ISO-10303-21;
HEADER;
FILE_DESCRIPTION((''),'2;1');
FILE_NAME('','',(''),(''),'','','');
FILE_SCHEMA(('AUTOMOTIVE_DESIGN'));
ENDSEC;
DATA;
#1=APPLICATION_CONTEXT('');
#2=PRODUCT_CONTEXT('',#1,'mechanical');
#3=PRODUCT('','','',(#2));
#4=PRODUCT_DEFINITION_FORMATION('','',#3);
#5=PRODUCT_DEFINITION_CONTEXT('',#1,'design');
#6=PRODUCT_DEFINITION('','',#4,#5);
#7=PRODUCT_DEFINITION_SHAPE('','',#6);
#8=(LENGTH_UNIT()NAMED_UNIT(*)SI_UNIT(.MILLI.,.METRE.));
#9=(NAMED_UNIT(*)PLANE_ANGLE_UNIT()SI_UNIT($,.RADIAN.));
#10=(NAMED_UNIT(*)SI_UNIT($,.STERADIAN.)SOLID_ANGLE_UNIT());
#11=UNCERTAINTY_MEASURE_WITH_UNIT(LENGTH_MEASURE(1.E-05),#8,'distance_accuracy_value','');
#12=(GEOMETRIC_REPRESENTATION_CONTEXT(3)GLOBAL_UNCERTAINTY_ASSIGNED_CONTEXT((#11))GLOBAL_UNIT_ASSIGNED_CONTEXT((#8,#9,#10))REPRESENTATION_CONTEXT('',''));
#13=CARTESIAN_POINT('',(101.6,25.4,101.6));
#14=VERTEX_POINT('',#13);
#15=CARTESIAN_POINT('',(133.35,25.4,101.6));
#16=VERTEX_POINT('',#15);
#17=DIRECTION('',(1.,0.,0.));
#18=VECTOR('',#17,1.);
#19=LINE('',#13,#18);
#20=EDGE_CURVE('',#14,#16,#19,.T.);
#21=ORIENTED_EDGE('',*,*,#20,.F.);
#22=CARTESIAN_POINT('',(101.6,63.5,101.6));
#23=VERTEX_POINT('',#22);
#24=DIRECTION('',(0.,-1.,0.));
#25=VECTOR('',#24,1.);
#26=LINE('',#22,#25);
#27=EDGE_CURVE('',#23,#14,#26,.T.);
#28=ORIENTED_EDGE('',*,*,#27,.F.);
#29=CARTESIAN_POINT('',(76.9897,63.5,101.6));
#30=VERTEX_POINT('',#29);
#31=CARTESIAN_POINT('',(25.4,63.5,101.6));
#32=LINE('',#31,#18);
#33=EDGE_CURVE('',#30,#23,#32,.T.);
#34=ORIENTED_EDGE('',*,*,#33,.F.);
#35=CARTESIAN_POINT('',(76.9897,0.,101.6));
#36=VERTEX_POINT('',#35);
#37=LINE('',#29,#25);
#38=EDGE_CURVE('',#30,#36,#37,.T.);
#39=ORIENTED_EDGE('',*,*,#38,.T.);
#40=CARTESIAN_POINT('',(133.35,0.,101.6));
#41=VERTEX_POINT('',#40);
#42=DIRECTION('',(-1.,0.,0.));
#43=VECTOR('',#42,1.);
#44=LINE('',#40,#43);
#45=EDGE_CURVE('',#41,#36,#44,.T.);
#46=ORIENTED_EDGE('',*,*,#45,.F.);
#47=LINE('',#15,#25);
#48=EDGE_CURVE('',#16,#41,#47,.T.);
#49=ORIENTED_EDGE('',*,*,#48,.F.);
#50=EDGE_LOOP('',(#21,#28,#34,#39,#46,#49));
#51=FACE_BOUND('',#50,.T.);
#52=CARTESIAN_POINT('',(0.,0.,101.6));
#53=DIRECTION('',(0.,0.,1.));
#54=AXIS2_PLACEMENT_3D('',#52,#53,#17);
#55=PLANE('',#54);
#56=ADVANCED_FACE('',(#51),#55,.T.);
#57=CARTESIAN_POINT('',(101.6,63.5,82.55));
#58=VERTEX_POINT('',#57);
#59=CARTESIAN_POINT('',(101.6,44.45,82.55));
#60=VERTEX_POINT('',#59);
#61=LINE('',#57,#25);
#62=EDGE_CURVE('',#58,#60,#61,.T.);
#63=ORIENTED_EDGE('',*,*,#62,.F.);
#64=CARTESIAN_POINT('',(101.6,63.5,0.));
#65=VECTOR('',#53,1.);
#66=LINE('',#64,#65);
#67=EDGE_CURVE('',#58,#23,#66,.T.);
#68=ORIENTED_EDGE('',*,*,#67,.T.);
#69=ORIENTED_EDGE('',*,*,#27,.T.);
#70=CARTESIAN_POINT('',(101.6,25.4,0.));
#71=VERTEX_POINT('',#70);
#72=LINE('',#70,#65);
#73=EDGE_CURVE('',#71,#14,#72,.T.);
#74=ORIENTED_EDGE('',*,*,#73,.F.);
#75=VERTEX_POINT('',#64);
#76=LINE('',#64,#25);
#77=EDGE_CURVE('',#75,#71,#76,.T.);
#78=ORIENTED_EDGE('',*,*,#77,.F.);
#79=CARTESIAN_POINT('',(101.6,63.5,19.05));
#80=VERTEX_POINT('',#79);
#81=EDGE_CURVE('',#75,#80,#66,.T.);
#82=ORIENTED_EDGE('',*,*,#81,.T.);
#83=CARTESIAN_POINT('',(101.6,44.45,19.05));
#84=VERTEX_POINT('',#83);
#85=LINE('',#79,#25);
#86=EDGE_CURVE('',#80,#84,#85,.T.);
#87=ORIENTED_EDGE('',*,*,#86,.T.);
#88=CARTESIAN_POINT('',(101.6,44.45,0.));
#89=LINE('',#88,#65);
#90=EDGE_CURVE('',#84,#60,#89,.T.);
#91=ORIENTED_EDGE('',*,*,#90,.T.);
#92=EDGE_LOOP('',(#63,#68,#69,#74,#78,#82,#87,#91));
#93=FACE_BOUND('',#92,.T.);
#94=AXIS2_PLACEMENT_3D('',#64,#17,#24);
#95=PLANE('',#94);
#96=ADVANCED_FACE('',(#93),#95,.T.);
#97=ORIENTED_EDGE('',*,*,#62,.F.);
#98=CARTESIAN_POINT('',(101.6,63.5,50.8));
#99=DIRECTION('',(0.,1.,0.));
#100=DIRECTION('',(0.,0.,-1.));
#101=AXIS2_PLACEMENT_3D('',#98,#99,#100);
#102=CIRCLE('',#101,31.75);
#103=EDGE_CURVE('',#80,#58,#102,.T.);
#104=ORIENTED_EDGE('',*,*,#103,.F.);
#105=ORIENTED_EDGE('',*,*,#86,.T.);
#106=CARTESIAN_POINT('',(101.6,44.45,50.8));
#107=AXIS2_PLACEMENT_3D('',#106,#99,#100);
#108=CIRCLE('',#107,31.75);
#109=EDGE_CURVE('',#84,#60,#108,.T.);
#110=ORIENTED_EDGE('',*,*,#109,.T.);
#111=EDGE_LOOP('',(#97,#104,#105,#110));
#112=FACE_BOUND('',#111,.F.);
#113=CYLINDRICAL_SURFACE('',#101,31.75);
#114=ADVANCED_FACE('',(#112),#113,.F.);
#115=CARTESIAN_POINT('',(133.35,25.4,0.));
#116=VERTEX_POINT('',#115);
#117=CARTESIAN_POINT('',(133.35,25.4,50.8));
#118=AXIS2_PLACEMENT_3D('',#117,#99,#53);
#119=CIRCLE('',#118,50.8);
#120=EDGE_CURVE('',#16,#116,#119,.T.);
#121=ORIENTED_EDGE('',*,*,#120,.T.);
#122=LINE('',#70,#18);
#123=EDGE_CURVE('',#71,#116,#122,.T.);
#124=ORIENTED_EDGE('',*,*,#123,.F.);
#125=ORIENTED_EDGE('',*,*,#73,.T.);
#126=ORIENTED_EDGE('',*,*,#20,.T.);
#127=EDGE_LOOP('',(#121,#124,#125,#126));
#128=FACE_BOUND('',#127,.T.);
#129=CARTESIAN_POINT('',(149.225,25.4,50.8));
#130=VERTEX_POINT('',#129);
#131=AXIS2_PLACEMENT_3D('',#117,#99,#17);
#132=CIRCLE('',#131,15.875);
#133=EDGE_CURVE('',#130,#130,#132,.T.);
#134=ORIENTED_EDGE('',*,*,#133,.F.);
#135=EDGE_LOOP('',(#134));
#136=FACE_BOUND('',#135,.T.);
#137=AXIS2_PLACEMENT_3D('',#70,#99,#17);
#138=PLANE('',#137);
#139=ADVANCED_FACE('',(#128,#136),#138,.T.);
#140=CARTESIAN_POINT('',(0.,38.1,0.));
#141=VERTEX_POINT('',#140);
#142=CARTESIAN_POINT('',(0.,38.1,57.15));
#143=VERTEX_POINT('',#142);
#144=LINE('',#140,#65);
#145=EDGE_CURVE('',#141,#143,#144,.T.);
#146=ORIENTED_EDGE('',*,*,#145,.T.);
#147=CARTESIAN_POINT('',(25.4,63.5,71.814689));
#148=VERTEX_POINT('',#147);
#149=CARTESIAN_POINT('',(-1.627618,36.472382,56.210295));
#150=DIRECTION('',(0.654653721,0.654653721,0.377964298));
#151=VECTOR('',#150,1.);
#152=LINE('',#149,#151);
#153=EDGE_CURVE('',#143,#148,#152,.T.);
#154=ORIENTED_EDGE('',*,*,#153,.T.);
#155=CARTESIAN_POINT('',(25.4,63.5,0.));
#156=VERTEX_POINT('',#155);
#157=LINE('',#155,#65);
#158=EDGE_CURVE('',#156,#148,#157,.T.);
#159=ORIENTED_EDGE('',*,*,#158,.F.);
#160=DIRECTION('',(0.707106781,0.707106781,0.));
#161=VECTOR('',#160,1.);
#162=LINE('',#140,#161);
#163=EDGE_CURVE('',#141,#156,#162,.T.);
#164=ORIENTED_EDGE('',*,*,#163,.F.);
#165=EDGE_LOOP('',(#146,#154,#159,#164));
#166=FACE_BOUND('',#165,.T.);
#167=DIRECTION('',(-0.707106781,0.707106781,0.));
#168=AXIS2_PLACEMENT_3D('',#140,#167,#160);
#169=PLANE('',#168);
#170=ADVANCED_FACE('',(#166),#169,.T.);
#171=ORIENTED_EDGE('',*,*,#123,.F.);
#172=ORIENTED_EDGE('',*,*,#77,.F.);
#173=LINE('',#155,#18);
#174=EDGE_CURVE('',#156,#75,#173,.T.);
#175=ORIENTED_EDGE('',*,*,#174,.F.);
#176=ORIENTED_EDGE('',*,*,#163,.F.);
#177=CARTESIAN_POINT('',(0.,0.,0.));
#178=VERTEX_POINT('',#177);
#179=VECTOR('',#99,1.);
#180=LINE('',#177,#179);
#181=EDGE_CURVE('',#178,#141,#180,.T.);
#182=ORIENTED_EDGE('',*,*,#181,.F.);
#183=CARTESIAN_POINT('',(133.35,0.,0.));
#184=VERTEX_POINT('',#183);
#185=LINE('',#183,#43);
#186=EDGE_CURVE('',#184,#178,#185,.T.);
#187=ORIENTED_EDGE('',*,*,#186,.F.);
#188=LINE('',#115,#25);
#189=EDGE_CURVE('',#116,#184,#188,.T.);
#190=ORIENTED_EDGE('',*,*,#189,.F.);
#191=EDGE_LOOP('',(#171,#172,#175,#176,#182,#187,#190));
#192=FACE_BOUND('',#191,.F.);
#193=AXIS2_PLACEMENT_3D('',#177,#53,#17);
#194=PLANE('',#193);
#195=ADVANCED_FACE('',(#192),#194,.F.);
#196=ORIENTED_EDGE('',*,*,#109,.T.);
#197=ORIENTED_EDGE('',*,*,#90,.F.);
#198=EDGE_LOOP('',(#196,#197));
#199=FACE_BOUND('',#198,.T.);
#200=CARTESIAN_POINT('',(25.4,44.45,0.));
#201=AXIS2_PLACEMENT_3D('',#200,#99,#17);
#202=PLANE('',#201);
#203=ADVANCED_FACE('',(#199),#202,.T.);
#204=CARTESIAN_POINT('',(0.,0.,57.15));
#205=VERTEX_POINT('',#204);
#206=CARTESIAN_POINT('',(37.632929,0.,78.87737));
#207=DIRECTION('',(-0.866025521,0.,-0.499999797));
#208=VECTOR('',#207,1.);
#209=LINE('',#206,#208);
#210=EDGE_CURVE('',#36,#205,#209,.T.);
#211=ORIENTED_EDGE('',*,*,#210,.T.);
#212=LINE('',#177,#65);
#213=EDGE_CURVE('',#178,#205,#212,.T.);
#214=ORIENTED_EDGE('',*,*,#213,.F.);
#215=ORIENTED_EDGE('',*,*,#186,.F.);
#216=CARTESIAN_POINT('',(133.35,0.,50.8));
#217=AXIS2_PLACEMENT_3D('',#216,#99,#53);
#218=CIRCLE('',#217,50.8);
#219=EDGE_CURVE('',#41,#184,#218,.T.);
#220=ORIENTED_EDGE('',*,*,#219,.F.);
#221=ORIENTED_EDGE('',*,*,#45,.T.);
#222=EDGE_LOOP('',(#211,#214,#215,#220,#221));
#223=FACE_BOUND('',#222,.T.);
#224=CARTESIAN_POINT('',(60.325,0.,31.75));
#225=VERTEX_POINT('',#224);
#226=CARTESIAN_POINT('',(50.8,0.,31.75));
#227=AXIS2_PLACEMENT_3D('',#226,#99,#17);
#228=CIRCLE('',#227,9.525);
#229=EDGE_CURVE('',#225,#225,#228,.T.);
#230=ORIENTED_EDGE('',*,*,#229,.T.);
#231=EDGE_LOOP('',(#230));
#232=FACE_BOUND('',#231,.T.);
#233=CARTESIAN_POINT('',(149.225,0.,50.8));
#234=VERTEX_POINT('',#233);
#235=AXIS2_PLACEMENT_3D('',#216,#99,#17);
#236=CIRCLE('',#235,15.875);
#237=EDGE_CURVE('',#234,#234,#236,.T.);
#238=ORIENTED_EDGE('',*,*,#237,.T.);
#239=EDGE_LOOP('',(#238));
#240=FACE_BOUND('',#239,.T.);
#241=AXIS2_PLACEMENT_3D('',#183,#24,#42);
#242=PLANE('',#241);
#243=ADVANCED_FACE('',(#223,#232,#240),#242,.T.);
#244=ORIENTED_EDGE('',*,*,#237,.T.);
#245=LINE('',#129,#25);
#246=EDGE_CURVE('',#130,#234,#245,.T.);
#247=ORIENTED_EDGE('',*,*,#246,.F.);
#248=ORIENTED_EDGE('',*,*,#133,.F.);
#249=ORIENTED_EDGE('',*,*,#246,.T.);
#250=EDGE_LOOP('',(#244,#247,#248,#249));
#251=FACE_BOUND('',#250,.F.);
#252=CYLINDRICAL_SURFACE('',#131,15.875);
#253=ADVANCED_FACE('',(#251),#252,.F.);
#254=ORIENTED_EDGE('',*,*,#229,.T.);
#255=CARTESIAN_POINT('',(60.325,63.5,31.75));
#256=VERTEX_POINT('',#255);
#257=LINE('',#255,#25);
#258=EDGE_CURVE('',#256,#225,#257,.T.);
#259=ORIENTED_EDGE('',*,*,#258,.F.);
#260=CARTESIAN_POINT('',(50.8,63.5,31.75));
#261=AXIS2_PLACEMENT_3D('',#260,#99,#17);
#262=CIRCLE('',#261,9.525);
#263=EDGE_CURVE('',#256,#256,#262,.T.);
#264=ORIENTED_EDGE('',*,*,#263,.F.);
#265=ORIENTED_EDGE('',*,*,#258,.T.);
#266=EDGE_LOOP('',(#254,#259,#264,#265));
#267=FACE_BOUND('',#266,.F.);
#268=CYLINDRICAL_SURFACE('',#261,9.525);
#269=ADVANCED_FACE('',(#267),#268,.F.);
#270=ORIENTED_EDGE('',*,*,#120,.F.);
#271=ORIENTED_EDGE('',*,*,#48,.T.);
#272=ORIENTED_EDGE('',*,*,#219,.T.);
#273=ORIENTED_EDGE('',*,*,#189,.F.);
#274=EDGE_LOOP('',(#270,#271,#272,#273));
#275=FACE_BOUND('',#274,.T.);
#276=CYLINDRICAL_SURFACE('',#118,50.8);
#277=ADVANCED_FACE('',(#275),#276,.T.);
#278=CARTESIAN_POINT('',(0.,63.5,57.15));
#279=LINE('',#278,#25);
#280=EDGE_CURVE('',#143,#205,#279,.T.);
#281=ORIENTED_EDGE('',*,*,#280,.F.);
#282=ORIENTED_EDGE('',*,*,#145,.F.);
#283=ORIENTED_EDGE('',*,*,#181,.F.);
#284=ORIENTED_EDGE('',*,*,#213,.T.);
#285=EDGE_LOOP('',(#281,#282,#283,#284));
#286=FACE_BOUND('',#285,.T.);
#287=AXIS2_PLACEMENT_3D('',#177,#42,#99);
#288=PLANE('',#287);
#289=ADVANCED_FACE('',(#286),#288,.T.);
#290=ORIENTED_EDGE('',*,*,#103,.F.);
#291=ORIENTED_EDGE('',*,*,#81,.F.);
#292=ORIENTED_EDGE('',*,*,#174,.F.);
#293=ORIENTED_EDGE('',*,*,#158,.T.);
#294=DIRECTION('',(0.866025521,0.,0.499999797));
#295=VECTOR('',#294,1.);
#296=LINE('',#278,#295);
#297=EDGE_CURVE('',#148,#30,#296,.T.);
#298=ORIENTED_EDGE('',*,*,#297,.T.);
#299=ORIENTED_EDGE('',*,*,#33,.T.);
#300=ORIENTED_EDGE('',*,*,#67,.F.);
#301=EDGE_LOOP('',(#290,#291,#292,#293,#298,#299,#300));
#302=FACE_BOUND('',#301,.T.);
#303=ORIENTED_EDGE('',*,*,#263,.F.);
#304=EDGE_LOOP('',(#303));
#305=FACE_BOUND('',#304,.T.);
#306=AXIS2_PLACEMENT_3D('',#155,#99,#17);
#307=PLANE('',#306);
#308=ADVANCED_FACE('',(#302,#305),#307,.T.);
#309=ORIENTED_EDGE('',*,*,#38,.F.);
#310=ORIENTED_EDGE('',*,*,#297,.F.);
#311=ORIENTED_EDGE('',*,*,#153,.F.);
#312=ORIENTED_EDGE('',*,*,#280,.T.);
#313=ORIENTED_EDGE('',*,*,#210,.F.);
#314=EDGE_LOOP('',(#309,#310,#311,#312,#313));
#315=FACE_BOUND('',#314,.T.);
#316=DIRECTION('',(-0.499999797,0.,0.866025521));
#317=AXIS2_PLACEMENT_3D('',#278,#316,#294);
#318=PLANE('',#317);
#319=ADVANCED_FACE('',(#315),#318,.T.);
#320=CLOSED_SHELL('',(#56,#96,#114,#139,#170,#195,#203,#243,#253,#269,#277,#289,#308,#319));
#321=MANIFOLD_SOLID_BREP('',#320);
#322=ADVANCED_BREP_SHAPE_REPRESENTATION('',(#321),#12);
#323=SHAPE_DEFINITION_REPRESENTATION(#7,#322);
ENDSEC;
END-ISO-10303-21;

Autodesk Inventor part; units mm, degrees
ref_plane "YZ Plane" through (0, 0, 0) normal (1, 0, 0) x (0, 1, 0)
ref_plane "XZ Plane" through (0, 0, 0) normal (0, 1, 0) x (-1, 0, 0)
ref_plane "XY Plane" through (0, 0, 0) normal (0, 0, 1) x (1, 0, 0)
sketch "Sketch1" plane through (0, 0, 0) normal (0, 0, 1) x (1, 0, 0)
  line L0 (0, 0) -> (0, 38.1)
  line L1 (0, 38.1) -> (25.4, 63.5)
  line L2 (25.4, 63.5) -> (101.6, 63.5)
  line L3 (101.6, 63.5) -> (101.6, 25.4)
  line L4 (101.6, 25.4) -> (133.35, 25.4)
  line L5 (133.35, 25.4) -> (133.35, 0)
  line L6 (133.35, 0) -> (0, 0)
  dimension "d0" = 76.2
  dimension "d1" = 133.35
  dimension "d5" = 45
  dimension "d7" = 31.75
  dimension "d8" = 63.5
  dimension "d9" = 38.1
extrude "Extrusion1" add sketch "Sketch1" along normal blind 101.6
sketch "Sketch2" plane through (101.6, 25.4, 0) normal (0, 1, 0) x (1, 0, 0)
  arc A0 (31.75, -101.6) -> (31.75, 0) centre (31.75, -50.8) ccw
  line L0 (31.75, -101.6) -> (31.75, 0)
  point P0 (-101.6, 0)
  dimension "d12" = 50.8
extrude "Extrusion2" add sketch "Sketch2" against normal blind 25.4
sketch "Sketch3" plane through (25.4, 63.5, 0) normal (0, 1, 0) x (1, 0, 0)
  line L0 (-25.4, -101.6) -> (51.5897, -101.6)
  line L1 (-25.4, 0) -> (-25.4, -57.15)
  line L2 (-25.4, 0) -> (-25.4, -101.6) projected
  line L3 (-25.4, -57.15) -> (51.5897, -101.6)
  line L4 (-25.4, -57.15) -> (-25.4, -101.6)
  point P0 (76.2, -101.6)
  dimension "d15" = 57.15
  dimension "d16" = 60
extrude "Extrusion3" cut sketch "Sketch3" against normal through all
sketch "Sketch4" plane through (25.4, 63.5, 0) normal (0, 1, 0) x (1, 0, 0)
  circle A0 centre (25.4, -31.75) radius 9.525
  line L0 (107.95, 0) -> (-25.4, 0) projected
  line L1 (76.2, 0) -> (76.2, -101.6) projected
  dimension "d19" = 19.05
  dimension "d20" = 31.75
  dimension "d21" = 50.8
extrude "Extrusion4" cut sketch "Sketch4" against normal through all
sketch "Sketch6" plane through (101.6, 25.4, 101.6) normal (0, 1, 0) x (1, 0, 0)
  arc A0 (31.75, 0) -> (31.75, 101.6) centre (31.75, 50.8) ccw projected
  circle A1 centre (31.75, 50.8) radius 15.875
  point P0 (-101.6, 101.6)
  dimension "d25" = 31.75
extrude "Extrusion5" cut sketch "Sketch6" against normal through all
sketch "Sketch7" plane through (25.4, 63.5, 0) normal (0, 1, 0) x (1, 0, 0)
  line L0 (76.2, 0) -> (76.2, -101.6) projected
  arc A0 (76.2, -19.05) -> (76.2, -82.55) centre (76.2, -50.8) ccw
  line L1 (76.2, -82.55) -> (76.2, -19.05)
  point P0 (-25.4, 0)
  dimension "d28" = 63.5
extrude "Extrusion6" cut sketch "Sketch7" against normal blind 19.05
properties part number "HW 8 Part 2"
